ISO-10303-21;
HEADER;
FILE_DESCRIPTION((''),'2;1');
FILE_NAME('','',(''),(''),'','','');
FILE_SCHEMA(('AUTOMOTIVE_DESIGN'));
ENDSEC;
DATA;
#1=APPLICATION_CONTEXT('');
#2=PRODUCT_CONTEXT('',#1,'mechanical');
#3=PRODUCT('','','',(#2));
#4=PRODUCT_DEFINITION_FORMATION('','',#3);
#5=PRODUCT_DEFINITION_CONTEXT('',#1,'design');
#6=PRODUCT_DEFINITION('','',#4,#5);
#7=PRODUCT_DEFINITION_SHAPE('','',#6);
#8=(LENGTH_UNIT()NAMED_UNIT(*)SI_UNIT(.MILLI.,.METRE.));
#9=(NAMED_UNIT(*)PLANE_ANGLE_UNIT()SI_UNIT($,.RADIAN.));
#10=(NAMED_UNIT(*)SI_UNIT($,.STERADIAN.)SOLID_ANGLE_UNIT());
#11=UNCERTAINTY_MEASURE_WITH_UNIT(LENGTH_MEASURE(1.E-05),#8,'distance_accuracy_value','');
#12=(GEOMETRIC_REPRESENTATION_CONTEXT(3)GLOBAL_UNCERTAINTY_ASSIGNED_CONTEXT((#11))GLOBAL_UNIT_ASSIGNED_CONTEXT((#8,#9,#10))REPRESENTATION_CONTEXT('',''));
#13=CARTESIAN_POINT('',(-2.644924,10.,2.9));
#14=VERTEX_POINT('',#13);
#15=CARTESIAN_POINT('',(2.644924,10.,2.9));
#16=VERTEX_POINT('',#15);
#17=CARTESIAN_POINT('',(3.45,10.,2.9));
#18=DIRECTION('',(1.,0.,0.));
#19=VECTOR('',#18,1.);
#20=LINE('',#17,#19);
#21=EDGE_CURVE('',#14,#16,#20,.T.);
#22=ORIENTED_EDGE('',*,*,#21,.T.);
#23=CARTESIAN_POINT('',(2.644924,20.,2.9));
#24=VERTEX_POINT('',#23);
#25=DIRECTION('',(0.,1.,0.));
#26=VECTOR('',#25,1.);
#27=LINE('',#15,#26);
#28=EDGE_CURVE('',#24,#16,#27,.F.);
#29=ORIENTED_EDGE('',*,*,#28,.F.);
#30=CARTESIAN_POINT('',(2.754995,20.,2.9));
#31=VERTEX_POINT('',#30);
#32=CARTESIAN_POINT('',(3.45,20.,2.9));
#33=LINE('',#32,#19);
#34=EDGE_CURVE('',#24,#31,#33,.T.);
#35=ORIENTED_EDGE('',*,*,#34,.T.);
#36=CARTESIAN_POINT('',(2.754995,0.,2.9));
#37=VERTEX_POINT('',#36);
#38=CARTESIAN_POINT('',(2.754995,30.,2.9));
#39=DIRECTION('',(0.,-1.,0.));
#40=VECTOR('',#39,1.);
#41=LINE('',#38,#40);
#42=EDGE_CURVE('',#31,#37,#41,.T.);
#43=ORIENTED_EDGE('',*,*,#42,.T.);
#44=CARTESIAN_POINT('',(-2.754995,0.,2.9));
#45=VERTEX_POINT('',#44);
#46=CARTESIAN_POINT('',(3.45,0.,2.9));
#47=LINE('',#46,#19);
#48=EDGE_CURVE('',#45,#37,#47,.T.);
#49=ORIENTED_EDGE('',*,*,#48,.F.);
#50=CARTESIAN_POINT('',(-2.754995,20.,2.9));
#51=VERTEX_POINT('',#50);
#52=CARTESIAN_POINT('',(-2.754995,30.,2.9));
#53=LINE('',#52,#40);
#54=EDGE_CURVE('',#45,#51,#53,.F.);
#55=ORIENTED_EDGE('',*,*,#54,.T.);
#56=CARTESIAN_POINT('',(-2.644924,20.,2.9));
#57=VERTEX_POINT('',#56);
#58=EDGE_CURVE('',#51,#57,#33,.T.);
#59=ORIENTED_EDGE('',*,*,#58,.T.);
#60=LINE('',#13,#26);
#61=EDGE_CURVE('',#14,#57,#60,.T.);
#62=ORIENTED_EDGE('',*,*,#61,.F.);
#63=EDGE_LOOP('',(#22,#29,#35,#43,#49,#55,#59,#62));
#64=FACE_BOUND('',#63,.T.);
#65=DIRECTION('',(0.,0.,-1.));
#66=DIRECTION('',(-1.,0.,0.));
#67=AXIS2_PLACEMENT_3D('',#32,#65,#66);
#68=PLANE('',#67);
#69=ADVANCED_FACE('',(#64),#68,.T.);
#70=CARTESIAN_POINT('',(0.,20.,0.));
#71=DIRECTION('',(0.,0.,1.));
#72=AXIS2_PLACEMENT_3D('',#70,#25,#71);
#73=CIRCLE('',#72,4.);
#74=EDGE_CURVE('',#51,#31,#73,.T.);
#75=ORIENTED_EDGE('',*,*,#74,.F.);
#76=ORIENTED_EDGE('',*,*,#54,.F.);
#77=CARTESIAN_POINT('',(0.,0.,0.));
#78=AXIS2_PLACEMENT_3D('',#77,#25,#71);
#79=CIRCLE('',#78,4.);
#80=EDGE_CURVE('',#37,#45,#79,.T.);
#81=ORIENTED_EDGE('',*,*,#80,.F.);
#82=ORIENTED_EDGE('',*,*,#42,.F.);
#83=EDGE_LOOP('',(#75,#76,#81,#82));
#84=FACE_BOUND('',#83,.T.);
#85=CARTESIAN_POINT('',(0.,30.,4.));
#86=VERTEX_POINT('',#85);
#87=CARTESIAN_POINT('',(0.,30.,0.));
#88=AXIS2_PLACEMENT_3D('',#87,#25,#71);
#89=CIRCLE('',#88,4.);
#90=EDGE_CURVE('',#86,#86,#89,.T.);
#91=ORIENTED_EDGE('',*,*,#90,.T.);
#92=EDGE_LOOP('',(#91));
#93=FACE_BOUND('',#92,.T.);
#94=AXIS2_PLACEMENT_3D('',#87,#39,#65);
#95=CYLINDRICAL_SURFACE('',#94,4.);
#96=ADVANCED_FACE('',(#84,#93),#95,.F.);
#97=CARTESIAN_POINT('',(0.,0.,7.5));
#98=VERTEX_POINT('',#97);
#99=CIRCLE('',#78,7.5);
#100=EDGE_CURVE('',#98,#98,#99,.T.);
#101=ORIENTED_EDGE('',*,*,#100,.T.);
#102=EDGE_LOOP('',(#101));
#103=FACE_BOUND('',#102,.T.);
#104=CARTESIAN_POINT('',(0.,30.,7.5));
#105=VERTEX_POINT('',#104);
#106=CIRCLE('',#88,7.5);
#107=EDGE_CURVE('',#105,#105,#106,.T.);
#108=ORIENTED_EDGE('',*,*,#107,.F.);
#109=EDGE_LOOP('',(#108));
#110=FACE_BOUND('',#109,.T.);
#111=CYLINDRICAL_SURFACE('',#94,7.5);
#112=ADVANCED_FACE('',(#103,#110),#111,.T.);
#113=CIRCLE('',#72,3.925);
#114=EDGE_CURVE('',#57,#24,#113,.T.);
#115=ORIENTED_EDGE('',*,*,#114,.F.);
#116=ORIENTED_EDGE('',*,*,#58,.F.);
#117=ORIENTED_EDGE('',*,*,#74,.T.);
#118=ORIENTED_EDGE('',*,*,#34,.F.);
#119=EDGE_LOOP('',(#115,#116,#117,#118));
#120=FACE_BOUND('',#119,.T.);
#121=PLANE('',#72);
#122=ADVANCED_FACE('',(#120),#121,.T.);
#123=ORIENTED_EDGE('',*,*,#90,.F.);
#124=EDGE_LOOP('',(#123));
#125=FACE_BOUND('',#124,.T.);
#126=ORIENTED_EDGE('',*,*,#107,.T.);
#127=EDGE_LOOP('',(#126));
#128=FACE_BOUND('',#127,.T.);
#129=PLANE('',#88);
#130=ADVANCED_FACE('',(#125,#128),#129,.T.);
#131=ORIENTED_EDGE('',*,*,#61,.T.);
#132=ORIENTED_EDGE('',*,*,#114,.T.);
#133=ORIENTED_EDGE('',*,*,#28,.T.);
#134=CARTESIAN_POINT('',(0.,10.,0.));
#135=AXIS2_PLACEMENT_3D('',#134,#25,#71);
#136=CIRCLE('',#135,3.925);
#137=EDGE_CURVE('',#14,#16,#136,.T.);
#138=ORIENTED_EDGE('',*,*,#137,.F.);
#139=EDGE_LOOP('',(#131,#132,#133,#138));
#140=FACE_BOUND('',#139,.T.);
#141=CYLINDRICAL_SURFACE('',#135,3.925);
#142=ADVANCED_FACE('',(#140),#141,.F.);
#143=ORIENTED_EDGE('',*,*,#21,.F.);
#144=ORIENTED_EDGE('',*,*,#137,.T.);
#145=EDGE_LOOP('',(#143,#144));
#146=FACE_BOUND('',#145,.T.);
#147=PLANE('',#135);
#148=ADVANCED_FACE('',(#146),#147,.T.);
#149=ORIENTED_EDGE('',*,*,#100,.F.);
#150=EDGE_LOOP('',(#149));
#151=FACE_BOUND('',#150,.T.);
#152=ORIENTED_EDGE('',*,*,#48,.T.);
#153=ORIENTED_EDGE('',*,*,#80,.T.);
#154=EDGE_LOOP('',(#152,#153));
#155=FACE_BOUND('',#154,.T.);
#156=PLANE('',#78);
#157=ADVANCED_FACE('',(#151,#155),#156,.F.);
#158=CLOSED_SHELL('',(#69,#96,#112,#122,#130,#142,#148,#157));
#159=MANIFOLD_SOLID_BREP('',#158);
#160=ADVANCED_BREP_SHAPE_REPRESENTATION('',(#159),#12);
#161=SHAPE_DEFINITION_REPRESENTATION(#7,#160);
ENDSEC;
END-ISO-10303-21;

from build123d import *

# Parameters (mm, degrees)
CROQUIS1_R              = 7.5
CROQUIS1_R_2            = 4
SALIENTE_EXTRUIR1_DEPTH = 30
CROQUIS2_W              = 6.9
CROQUIS2_H              = 3.426383691
SALIENTE_EXTRUIR2_DEPTH = 20
CROQUIS3_R              = 3.925
CORTAR_EXTRUIR1_DEPTH   = 20


with BuildPart() as part:
    # Croquis1 → Saliente-Extruir1 (new body)
    with BuildSketch(Plane(origin=(0, 0, 0), x_dir=(1, 0, 0), z_dir=(0, 1, 0))):
        with Locations(Location((0, 0, 0), (0, 0, 270))):
            Circle(CROQUIS1_R)
        with Locations(Location((0, 0, 0), (0, 0, 270))):
            Circle(CROQUIS1_R_2, mode=Mode.SUBTRACT)
    extrude(amount=SALIENTE_EXTRUIR1_DEPTH)

    # Croquis2 → Saliente-Extruir2 (add)
    with BuildSketch(Plane.XZ):
        with Locations((0, 4.613191846)):
            Rectangle(CROQUIS2_W, CROQUIS2_H)
    extrude(amount=-SALIENTE_EXTRUIR2_DEPTH)

    # Croquis3 → Cortar-Extruir1 (cut)
    with BuildSketch(Plane(origin=(0, 30, 0), x_dir=(1, 0, 0), z_dir=(0, 1, 0))):
        Circle(CROQUIS3_R)
    extrude(amount=-CORTAR_EXTRUIR1_DEPTH, mode=Mode.SUBTRACT)


solid = part.part
